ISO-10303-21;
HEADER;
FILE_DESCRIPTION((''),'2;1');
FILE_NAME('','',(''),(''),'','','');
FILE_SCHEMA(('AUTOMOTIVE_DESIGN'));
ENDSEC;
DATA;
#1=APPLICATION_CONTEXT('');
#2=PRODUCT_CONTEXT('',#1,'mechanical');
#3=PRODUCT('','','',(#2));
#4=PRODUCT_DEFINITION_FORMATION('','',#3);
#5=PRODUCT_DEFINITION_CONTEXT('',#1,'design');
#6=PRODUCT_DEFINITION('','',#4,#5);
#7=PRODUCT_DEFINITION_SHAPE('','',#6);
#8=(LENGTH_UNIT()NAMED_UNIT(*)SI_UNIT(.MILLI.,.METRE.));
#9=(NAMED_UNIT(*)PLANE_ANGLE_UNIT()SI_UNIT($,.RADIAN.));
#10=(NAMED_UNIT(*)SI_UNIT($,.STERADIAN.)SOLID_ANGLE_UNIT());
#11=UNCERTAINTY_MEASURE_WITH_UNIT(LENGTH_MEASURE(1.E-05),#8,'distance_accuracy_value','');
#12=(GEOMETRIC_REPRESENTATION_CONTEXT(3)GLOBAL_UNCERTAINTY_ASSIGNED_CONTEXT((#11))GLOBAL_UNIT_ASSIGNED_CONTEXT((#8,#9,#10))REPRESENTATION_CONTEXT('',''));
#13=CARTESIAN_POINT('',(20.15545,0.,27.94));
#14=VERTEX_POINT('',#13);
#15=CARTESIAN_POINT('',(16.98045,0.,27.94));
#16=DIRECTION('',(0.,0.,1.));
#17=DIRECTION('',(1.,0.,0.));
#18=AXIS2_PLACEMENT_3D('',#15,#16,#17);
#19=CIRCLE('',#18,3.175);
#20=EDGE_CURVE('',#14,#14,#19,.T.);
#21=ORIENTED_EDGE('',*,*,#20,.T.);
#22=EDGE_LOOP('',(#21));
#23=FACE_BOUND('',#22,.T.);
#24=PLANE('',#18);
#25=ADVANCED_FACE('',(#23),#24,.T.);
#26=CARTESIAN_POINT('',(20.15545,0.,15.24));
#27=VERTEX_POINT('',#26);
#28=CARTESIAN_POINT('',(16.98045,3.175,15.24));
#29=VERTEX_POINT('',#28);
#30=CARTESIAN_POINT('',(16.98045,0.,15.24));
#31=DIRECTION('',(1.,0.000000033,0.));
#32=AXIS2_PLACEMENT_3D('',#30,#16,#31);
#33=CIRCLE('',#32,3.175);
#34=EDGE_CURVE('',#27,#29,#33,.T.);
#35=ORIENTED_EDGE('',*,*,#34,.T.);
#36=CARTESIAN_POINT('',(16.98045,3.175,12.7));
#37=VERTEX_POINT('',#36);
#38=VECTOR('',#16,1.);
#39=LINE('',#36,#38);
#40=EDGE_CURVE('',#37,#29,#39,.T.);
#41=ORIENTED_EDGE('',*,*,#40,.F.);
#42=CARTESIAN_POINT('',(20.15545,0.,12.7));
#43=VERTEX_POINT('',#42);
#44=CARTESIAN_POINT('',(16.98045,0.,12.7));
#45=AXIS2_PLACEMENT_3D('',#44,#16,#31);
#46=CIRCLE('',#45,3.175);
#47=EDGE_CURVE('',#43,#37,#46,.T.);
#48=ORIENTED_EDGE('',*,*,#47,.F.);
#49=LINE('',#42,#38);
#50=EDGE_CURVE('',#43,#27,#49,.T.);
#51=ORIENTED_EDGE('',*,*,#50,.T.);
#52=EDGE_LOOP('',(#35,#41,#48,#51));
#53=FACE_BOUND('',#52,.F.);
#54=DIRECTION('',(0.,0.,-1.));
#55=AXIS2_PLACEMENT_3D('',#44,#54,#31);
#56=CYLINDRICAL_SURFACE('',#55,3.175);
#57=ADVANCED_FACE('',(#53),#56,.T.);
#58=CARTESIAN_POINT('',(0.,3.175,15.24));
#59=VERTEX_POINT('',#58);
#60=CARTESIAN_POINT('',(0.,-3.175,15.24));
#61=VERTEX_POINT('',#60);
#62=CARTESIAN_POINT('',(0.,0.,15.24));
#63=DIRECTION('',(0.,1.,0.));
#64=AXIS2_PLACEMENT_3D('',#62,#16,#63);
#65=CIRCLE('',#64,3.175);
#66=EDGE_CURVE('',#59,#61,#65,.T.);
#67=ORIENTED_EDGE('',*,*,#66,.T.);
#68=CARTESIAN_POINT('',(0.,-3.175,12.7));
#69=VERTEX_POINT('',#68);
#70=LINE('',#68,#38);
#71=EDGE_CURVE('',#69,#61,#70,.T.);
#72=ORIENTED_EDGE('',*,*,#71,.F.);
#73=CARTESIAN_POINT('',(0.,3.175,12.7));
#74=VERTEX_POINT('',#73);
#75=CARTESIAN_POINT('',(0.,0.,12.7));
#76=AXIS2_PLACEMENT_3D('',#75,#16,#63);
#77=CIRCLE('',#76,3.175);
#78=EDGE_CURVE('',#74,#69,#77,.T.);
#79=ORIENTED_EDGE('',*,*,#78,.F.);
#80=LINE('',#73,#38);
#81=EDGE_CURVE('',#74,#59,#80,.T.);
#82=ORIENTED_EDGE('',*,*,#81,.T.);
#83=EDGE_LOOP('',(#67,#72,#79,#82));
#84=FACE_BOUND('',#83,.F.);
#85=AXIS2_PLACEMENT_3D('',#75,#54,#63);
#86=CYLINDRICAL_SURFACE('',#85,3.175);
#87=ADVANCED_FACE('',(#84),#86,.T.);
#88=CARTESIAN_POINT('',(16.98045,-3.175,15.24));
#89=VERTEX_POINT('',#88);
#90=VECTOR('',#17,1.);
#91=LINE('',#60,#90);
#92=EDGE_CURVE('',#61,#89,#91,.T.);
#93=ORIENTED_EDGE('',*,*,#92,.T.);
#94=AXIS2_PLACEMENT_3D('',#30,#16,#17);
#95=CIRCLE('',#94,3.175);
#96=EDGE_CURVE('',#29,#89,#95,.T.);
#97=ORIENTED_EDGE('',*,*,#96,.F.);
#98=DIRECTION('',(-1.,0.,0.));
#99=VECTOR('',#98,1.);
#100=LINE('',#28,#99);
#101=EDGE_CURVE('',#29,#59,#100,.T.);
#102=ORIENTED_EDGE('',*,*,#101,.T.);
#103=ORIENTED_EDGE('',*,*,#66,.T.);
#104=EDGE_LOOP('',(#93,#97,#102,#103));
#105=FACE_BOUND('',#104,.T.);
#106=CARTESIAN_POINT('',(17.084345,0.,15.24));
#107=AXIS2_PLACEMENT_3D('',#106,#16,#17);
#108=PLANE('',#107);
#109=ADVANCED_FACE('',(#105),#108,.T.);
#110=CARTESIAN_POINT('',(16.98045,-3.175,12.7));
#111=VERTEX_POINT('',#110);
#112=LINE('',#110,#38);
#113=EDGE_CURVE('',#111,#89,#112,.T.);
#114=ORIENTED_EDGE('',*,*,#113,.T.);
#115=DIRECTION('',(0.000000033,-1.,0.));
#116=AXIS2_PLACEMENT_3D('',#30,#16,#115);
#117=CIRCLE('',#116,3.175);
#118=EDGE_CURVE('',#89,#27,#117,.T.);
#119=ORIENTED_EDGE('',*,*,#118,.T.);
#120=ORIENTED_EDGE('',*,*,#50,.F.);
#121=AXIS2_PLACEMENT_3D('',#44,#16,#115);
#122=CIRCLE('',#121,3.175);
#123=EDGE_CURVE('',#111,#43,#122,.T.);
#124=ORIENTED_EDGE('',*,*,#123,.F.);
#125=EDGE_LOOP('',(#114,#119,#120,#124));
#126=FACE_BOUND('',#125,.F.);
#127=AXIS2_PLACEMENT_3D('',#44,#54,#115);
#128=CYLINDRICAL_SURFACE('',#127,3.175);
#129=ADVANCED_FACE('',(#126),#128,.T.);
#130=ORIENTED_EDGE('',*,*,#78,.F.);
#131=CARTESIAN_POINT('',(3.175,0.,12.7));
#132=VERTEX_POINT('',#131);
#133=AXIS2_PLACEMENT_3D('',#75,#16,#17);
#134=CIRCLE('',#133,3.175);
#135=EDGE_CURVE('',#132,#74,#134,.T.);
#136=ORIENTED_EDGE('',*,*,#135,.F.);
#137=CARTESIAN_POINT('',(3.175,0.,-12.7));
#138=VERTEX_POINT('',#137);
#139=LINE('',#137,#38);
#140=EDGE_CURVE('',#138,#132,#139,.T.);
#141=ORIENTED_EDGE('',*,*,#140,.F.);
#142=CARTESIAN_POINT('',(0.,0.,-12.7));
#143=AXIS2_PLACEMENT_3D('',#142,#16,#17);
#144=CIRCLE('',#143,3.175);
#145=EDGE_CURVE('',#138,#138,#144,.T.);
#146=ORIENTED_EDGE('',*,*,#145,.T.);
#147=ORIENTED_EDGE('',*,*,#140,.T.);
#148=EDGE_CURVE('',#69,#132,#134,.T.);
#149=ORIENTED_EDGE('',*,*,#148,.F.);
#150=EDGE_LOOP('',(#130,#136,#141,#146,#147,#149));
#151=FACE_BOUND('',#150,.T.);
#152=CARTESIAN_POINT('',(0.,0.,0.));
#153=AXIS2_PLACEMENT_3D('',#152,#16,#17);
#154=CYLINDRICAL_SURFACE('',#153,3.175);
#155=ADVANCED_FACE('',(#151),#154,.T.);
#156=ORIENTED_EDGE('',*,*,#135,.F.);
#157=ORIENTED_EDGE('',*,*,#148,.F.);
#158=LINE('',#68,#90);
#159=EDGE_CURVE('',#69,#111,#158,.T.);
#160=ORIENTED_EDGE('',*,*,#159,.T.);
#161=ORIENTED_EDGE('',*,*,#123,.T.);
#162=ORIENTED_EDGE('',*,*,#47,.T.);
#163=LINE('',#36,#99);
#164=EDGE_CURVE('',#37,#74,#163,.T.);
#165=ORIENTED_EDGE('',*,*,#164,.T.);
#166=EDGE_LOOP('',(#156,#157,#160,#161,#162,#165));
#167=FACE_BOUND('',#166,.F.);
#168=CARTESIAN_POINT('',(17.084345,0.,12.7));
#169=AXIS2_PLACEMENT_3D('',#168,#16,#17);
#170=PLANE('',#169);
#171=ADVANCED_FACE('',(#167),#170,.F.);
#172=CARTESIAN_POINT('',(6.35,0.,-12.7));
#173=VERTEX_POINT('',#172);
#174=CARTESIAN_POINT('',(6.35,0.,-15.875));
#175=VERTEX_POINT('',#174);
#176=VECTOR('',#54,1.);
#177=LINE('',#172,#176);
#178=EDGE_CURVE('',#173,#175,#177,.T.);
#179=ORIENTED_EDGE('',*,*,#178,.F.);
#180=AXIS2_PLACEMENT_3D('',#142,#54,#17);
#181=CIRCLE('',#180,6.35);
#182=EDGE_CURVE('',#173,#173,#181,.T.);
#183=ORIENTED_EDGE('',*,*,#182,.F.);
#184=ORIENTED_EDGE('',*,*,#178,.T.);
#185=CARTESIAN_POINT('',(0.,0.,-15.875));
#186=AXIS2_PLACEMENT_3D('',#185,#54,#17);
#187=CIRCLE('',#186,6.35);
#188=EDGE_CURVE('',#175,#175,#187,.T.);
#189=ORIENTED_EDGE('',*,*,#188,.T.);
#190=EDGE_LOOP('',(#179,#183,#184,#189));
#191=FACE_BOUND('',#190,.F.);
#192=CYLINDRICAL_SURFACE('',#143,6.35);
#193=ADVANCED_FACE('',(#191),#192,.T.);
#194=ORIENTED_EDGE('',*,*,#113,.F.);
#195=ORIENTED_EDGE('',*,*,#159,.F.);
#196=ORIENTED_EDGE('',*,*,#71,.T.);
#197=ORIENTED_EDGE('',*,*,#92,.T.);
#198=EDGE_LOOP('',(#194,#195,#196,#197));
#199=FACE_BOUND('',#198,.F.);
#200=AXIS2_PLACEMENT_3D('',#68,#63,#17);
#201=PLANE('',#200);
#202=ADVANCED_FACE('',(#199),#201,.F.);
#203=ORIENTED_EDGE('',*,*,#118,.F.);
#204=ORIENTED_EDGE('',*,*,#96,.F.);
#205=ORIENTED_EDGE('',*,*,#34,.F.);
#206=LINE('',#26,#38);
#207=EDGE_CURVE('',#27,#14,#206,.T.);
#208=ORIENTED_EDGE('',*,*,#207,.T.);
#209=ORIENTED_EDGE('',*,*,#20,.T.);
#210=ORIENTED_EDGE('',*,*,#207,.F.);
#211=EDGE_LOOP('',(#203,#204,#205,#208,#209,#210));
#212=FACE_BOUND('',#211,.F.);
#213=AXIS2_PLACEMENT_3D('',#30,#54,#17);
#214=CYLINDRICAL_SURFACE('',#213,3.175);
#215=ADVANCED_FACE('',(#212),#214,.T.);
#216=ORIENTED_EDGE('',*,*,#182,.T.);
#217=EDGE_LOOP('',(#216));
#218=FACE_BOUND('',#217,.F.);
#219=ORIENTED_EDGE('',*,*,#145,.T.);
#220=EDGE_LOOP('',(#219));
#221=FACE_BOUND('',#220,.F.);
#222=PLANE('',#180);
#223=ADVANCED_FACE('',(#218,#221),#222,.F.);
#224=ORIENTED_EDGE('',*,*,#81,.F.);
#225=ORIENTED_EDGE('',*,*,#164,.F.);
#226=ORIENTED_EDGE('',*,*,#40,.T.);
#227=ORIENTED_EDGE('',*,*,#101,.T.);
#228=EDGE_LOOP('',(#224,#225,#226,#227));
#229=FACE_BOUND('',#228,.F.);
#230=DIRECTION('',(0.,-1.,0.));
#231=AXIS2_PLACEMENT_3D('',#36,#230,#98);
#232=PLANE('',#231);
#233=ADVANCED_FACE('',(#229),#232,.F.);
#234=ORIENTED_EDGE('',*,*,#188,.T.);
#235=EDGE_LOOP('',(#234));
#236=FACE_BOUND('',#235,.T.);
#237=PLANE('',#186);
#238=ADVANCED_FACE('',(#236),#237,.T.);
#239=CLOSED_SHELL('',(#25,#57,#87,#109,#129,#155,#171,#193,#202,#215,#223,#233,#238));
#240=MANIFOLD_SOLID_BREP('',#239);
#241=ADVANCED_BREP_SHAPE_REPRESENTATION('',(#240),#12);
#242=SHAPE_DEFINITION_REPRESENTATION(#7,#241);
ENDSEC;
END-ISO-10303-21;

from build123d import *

# Parameters (mm, degrees)
F0_R     = 3.175
F1_DEPTH = 12.7
F2_R     = 6.35
F3_DEPTH = 3.175
F5_DEPTH = 2.54
F6_R     = 3.175
F7_DEPTH = 12.7


with BuildPart() as f1:
    # F0 (on Top) → F1 (new body, symmetric)
    with BuildSketch(Plane.XY):
        Circle(F0_R)
    extrude(amount=F1_DEPTH, both=True)

    # F2 (on face) → F3 (join)
    with BuildSketch(Plane(origin=(0, 0, -12.7), x_dir=(1, 0, 0), z_dir=(0, 0, -1))):
        Circle(F2_R)
    extrude(amount=F3_DEPTH)

    # F4 (on face) → F5 (join)
    with BuildSketch(Plane.XY.offset(12.7)):
        with BuildLine():
            ThreePointArc((16.98045, -3.175), (19.225514, -2.245064), (20.15545, 0))
            ThreePointArc((20.15545, 0), (19.225514, 2.245064), (16.98045, 3.175))
            ThreePointArc((16.98045, 3.175), (13.80545, 0), (16.98045, -3.175))
        make_face()
        with BuildLine():
            ThreePointArc((16.98045, -3.175), (13.80545, 0), (16.98045, 3.175))
            Line((16.98045, 3.175), (0, 3.175))
            ThreePointArc((0, 3.175), (2.245064, 2.245064), (3.175, 0))
            ThreePointArc((3.175, 0), (2.245064, -2.245064), (0, -3.175))
            Line((0, -3.175), (16.98045, -3.175))
        make_face()
        with BuildLine():
            ThreePointArc((3.175, 0), (2.245064, 2.245064), (0, 3.175))
            ThreePointArc((0, 3.175), (-3.175, 0), (0, -3.175))
            ThreePointArc((0, -3.175), (2.245064, -2.245064), (3.175, 0))
        make_face()
    extrude(amount=F5_DEPTH)

    # F6 (on face) → F7 (join)
    with BuildSketch(Plane.XY.offset(15.24)):
        with Locations((16.98045, 0)):
            Circle(F6_R)
    extrude(amount=F7_DEPTH)


solid = f1.part
